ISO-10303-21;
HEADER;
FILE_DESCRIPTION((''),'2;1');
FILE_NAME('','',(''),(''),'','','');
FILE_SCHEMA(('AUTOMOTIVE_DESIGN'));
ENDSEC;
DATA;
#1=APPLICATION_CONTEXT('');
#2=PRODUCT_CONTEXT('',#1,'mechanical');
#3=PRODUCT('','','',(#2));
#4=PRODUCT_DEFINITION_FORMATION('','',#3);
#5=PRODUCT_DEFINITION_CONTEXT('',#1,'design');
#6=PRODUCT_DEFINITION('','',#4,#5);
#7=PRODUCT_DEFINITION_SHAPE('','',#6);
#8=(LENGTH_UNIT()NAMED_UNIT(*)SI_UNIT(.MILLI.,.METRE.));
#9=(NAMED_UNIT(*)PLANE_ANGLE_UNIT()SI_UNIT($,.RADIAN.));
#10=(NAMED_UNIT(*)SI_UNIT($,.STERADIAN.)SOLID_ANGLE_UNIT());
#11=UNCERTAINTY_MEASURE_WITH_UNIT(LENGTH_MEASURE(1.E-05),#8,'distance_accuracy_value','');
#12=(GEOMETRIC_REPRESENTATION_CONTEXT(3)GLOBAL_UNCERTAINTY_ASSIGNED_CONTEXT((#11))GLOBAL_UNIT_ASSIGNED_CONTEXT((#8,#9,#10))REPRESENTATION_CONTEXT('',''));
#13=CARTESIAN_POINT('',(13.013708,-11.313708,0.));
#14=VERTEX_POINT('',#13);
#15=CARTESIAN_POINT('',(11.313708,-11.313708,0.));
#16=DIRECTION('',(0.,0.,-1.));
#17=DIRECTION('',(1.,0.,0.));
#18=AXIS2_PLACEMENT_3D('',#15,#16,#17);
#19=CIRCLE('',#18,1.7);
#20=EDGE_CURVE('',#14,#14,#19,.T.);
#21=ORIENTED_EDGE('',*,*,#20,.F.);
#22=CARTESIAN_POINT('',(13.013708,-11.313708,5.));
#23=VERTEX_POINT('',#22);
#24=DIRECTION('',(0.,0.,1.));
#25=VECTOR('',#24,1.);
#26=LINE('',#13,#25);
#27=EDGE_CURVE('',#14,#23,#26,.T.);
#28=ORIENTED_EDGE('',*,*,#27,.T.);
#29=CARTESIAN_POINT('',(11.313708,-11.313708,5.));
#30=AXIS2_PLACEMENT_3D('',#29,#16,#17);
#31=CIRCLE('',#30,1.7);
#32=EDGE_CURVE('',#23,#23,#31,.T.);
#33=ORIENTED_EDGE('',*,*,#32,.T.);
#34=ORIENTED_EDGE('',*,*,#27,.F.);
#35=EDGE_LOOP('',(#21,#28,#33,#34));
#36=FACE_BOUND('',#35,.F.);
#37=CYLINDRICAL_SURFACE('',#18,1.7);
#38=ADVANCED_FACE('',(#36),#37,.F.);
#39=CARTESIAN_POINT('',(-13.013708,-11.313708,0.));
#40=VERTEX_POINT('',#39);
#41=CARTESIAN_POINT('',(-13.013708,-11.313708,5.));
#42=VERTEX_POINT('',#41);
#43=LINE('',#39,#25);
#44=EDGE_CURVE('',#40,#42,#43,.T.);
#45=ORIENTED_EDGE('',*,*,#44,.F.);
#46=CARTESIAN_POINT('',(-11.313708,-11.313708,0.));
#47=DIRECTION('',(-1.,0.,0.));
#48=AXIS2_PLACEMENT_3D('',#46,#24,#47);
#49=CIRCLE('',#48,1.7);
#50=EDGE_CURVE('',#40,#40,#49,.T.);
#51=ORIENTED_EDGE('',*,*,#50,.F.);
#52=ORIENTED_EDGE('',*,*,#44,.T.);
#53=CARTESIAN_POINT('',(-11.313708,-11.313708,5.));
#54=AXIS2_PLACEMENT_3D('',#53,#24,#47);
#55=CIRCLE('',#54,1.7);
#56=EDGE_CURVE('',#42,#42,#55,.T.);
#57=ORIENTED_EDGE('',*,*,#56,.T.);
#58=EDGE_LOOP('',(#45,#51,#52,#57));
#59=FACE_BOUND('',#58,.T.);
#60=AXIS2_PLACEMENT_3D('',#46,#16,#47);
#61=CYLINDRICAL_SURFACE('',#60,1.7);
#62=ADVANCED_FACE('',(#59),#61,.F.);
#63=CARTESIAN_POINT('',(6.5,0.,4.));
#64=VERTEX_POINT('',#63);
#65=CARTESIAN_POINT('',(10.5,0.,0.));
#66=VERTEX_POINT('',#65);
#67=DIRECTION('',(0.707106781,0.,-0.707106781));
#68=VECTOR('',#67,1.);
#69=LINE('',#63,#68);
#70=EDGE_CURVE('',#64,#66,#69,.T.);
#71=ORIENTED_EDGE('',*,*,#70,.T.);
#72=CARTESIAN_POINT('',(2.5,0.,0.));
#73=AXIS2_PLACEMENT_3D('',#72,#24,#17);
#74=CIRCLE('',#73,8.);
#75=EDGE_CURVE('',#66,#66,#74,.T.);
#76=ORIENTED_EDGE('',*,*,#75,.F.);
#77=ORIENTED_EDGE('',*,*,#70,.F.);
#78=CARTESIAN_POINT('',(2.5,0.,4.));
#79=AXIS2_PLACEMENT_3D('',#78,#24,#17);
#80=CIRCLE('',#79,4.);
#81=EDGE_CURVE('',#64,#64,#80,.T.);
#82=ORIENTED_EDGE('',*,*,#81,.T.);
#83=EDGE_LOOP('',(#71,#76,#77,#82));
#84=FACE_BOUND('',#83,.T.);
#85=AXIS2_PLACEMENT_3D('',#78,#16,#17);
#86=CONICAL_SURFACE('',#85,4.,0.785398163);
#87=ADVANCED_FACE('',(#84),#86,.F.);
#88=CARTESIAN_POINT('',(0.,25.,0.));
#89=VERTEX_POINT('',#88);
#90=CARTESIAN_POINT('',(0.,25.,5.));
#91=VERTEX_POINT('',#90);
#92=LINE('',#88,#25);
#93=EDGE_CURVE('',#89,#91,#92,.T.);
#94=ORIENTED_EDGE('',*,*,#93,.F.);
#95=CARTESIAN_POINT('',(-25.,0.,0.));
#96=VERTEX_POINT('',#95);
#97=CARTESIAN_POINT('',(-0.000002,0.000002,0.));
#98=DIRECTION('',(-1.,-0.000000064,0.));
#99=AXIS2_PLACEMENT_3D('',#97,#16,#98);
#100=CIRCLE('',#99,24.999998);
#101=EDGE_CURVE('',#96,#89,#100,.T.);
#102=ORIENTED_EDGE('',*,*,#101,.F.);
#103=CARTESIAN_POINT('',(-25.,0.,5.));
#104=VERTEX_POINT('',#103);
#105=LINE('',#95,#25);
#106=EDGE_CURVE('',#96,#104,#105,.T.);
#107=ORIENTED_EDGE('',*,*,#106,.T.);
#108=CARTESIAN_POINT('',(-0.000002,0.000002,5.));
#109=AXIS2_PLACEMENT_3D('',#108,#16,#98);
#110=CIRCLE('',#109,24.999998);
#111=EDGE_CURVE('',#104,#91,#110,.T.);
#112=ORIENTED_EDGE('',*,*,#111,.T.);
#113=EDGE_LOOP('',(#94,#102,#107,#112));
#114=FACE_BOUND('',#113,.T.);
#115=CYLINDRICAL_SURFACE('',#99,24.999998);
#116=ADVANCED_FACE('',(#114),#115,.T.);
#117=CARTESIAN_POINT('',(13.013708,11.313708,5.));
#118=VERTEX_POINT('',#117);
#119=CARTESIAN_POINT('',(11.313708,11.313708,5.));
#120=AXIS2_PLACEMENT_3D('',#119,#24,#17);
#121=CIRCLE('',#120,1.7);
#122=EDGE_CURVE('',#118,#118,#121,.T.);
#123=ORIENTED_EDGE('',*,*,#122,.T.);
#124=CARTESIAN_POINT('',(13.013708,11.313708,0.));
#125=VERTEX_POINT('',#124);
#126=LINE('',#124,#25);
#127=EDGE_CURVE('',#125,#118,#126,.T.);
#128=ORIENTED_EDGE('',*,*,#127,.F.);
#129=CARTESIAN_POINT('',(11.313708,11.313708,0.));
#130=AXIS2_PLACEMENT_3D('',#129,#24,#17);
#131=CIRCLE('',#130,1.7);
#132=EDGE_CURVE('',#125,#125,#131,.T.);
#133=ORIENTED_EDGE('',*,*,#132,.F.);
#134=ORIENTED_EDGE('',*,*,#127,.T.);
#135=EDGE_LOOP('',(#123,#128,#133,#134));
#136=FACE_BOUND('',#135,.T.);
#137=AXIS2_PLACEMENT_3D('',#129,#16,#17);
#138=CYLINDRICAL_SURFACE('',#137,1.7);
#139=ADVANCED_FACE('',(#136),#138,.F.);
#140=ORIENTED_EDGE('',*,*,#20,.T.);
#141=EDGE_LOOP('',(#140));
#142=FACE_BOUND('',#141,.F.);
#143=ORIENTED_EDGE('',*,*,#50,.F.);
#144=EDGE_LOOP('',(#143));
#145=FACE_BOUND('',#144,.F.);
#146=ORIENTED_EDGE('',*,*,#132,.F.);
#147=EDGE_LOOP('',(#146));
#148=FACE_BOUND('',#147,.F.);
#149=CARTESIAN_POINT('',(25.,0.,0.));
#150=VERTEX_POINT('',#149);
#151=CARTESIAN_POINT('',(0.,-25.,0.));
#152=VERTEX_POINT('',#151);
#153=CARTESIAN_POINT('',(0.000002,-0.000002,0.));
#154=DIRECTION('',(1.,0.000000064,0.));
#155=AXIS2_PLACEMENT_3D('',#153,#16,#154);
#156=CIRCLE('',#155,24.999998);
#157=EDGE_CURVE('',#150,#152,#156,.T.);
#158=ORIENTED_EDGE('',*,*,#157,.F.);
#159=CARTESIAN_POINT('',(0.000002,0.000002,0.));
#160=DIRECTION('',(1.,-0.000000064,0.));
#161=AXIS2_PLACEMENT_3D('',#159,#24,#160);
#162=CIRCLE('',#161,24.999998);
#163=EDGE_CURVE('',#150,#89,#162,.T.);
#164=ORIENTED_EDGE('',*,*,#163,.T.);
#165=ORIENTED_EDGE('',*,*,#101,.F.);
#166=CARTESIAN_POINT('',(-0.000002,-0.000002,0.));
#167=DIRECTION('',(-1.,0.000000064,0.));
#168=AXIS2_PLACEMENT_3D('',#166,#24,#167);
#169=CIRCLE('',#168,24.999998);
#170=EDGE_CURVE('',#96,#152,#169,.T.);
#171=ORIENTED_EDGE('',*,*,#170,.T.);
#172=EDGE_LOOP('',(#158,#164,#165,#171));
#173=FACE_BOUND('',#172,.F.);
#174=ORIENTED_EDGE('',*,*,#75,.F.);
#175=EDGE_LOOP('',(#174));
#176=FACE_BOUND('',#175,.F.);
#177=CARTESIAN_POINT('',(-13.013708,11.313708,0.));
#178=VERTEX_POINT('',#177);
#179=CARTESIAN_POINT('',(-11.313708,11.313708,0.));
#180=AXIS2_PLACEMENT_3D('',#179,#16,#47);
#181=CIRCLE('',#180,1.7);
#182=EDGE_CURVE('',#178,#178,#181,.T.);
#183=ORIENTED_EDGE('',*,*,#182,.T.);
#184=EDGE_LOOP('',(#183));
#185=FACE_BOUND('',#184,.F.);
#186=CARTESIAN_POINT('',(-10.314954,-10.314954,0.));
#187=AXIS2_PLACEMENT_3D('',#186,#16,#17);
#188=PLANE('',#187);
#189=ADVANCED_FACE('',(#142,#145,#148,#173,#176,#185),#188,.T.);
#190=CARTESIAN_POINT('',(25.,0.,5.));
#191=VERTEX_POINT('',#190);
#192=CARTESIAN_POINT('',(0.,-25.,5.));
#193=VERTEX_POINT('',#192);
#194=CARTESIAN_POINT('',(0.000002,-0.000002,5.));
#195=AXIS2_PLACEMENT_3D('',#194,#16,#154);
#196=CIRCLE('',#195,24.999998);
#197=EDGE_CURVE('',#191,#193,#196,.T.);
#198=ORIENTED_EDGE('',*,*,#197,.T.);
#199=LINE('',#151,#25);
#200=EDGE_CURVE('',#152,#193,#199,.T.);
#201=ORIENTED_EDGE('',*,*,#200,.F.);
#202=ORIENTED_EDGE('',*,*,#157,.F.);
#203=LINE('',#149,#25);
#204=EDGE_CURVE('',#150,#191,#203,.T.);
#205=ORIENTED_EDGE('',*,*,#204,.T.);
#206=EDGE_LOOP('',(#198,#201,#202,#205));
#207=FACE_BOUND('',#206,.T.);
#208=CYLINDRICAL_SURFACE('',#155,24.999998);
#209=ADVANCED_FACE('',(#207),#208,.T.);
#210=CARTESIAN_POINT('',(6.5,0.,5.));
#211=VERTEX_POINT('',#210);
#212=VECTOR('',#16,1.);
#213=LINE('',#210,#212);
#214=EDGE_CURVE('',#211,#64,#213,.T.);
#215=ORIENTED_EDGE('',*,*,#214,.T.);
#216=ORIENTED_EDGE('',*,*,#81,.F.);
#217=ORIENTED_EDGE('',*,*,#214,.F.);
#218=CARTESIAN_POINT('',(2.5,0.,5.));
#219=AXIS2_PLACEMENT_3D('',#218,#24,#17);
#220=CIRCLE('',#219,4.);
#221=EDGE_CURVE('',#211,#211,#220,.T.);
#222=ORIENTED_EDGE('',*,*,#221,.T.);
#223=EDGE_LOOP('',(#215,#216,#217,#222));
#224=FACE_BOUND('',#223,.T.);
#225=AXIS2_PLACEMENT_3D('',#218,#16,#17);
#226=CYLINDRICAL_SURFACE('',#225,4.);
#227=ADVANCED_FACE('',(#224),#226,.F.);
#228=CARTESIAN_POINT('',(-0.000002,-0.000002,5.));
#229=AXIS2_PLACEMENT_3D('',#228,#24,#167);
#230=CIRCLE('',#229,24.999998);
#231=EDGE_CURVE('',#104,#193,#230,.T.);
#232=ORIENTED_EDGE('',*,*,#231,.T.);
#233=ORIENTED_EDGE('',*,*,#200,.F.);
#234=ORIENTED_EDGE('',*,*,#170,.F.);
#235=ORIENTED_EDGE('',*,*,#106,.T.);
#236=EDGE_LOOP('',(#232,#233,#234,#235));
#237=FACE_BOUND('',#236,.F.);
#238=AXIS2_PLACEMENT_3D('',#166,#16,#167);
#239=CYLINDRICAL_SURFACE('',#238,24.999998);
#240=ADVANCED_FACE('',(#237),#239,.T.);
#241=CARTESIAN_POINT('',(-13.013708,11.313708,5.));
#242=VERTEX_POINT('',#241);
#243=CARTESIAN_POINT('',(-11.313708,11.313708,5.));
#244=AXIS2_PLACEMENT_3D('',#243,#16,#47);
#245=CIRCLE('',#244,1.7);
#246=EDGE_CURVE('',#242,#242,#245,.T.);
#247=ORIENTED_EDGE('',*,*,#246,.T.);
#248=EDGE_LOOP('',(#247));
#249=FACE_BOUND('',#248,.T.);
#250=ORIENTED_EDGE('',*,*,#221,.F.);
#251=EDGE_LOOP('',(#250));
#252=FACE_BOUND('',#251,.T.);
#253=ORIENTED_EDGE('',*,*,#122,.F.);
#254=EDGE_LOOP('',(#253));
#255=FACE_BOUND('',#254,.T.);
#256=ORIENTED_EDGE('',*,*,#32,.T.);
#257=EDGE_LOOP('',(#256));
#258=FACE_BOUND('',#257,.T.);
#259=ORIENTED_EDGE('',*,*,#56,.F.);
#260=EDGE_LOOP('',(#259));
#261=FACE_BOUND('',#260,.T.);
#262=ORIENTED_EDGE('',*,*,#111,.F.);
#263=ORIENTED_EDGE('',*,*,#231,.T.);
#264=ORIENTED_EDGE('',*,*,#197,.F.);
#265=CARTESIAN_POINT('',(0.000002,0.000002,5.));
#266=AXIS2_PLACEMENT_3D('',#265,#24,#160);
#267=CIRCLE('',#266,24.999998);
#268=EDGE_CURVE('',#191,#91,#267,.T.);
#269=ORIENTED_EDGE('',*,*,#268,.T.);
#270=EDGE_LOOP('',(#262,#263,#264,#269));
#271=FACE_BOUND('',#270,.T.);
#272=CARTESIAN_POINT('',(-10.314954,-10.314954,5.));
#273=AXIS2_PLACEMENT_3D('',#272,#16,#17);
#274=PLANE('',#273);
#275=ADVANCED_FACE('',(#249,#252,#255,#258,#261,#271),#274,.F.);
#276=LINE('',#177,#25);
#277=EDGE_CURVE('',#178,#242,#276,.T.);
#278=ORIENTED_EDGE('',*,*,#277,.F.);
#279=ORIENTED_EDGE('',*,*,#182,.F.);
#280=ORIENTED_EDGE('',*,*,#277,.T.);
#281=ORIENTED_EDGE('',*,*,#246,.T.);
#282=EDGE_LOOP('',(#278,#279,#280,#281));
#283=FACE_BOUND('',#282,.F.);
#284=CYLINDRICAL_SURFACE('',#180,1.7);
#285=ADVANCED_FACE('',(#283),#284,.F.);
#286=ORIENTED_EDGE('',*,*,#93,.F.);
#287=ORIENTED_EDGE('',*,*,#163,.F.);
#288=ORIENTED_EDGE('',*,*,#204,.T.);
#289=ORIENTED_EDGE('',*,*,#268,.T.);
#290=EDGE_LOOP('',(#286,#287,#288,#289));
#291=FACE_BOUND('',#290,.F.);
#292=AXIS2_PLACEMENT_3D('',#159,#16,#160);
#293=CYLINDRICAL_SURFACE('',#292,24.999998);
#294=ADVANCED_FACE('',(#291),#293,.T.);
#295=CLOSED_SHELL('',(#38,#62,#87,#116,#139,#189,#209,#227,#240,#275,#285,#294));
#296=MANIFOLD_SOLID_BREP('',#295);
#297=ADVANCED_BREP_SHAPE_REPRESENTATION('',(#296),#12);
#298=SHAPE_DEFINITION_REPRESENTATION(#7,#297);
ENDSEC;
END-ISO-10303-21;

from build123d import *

# Parameters (mm, degrees)
SKETCH_R             = 1.7
PAD_DEPTH            = 5
SKETCH_MIRRORED_2_R  = 1.7
PAD_MIRRORED_2_DEPTH = 5


with BuildPart() as part:
    # Sketch → Pad (new body)
    with BuildSketch(Plane.XY):
        with BuildLine():
            ThreePointArc((25, 0), (17.67767, 17.67767), (0, 25))
            Line((0, 25), (0, 0))
            Line((0, 0), (25, 0))
        make_face()
        with Locations((11.313708, 11.313708)):
            Circle(SKETCH_R, mode=Mode.SUBTRACT)
    pad = extrude(amount=PAD_DEPTH)

    # Sketch Mirrored 2 → Pad Mirrored 2 (add)
    with BuildSketch(Plane(origin=(0, 0, 0), x_dir=(-1, 0, 0), z_dir=(0, 0, -1))):
        with BuildLine():
            ThreePointArc((25, 0), (17.67767, 17.67767), (0, 25))
            Line((0, 25), (0, 0))
            Line((0, 0), (25, 0))
        make_face()
        with Locations((11.313708, 11.313708)):
            Circle(SKETCH_MIRRORED_2_R, mode=Mode.SUBTRACT)
    pad_mirrored_2 = extrude(amount=-PAD_MIRRORED_2_DEPTH)

    # Mirrored001: Pad, Pad Mirrored 2 across Sketch H_Axis
    add(pad.mirror(Plane.ZX))
    add(pad_mirrored_2.mirror(Plane.ZX))

    # Sketch001 → Groove (revolve, cut)
    with BuildSketch(Plane(origin=(2.5, 0, 0), x_dir=(1, 0, 0), z_dir=(0, -1, 0))):
        Polygon((0, 5), (4, 5), (4, 4), (8, 0), (0, 0), align=None)
    revolve(axis=Axis((2.5, 0, 0), (0, 0, 1)), mode=Mode.SUBTRACT)


solid = part.part
